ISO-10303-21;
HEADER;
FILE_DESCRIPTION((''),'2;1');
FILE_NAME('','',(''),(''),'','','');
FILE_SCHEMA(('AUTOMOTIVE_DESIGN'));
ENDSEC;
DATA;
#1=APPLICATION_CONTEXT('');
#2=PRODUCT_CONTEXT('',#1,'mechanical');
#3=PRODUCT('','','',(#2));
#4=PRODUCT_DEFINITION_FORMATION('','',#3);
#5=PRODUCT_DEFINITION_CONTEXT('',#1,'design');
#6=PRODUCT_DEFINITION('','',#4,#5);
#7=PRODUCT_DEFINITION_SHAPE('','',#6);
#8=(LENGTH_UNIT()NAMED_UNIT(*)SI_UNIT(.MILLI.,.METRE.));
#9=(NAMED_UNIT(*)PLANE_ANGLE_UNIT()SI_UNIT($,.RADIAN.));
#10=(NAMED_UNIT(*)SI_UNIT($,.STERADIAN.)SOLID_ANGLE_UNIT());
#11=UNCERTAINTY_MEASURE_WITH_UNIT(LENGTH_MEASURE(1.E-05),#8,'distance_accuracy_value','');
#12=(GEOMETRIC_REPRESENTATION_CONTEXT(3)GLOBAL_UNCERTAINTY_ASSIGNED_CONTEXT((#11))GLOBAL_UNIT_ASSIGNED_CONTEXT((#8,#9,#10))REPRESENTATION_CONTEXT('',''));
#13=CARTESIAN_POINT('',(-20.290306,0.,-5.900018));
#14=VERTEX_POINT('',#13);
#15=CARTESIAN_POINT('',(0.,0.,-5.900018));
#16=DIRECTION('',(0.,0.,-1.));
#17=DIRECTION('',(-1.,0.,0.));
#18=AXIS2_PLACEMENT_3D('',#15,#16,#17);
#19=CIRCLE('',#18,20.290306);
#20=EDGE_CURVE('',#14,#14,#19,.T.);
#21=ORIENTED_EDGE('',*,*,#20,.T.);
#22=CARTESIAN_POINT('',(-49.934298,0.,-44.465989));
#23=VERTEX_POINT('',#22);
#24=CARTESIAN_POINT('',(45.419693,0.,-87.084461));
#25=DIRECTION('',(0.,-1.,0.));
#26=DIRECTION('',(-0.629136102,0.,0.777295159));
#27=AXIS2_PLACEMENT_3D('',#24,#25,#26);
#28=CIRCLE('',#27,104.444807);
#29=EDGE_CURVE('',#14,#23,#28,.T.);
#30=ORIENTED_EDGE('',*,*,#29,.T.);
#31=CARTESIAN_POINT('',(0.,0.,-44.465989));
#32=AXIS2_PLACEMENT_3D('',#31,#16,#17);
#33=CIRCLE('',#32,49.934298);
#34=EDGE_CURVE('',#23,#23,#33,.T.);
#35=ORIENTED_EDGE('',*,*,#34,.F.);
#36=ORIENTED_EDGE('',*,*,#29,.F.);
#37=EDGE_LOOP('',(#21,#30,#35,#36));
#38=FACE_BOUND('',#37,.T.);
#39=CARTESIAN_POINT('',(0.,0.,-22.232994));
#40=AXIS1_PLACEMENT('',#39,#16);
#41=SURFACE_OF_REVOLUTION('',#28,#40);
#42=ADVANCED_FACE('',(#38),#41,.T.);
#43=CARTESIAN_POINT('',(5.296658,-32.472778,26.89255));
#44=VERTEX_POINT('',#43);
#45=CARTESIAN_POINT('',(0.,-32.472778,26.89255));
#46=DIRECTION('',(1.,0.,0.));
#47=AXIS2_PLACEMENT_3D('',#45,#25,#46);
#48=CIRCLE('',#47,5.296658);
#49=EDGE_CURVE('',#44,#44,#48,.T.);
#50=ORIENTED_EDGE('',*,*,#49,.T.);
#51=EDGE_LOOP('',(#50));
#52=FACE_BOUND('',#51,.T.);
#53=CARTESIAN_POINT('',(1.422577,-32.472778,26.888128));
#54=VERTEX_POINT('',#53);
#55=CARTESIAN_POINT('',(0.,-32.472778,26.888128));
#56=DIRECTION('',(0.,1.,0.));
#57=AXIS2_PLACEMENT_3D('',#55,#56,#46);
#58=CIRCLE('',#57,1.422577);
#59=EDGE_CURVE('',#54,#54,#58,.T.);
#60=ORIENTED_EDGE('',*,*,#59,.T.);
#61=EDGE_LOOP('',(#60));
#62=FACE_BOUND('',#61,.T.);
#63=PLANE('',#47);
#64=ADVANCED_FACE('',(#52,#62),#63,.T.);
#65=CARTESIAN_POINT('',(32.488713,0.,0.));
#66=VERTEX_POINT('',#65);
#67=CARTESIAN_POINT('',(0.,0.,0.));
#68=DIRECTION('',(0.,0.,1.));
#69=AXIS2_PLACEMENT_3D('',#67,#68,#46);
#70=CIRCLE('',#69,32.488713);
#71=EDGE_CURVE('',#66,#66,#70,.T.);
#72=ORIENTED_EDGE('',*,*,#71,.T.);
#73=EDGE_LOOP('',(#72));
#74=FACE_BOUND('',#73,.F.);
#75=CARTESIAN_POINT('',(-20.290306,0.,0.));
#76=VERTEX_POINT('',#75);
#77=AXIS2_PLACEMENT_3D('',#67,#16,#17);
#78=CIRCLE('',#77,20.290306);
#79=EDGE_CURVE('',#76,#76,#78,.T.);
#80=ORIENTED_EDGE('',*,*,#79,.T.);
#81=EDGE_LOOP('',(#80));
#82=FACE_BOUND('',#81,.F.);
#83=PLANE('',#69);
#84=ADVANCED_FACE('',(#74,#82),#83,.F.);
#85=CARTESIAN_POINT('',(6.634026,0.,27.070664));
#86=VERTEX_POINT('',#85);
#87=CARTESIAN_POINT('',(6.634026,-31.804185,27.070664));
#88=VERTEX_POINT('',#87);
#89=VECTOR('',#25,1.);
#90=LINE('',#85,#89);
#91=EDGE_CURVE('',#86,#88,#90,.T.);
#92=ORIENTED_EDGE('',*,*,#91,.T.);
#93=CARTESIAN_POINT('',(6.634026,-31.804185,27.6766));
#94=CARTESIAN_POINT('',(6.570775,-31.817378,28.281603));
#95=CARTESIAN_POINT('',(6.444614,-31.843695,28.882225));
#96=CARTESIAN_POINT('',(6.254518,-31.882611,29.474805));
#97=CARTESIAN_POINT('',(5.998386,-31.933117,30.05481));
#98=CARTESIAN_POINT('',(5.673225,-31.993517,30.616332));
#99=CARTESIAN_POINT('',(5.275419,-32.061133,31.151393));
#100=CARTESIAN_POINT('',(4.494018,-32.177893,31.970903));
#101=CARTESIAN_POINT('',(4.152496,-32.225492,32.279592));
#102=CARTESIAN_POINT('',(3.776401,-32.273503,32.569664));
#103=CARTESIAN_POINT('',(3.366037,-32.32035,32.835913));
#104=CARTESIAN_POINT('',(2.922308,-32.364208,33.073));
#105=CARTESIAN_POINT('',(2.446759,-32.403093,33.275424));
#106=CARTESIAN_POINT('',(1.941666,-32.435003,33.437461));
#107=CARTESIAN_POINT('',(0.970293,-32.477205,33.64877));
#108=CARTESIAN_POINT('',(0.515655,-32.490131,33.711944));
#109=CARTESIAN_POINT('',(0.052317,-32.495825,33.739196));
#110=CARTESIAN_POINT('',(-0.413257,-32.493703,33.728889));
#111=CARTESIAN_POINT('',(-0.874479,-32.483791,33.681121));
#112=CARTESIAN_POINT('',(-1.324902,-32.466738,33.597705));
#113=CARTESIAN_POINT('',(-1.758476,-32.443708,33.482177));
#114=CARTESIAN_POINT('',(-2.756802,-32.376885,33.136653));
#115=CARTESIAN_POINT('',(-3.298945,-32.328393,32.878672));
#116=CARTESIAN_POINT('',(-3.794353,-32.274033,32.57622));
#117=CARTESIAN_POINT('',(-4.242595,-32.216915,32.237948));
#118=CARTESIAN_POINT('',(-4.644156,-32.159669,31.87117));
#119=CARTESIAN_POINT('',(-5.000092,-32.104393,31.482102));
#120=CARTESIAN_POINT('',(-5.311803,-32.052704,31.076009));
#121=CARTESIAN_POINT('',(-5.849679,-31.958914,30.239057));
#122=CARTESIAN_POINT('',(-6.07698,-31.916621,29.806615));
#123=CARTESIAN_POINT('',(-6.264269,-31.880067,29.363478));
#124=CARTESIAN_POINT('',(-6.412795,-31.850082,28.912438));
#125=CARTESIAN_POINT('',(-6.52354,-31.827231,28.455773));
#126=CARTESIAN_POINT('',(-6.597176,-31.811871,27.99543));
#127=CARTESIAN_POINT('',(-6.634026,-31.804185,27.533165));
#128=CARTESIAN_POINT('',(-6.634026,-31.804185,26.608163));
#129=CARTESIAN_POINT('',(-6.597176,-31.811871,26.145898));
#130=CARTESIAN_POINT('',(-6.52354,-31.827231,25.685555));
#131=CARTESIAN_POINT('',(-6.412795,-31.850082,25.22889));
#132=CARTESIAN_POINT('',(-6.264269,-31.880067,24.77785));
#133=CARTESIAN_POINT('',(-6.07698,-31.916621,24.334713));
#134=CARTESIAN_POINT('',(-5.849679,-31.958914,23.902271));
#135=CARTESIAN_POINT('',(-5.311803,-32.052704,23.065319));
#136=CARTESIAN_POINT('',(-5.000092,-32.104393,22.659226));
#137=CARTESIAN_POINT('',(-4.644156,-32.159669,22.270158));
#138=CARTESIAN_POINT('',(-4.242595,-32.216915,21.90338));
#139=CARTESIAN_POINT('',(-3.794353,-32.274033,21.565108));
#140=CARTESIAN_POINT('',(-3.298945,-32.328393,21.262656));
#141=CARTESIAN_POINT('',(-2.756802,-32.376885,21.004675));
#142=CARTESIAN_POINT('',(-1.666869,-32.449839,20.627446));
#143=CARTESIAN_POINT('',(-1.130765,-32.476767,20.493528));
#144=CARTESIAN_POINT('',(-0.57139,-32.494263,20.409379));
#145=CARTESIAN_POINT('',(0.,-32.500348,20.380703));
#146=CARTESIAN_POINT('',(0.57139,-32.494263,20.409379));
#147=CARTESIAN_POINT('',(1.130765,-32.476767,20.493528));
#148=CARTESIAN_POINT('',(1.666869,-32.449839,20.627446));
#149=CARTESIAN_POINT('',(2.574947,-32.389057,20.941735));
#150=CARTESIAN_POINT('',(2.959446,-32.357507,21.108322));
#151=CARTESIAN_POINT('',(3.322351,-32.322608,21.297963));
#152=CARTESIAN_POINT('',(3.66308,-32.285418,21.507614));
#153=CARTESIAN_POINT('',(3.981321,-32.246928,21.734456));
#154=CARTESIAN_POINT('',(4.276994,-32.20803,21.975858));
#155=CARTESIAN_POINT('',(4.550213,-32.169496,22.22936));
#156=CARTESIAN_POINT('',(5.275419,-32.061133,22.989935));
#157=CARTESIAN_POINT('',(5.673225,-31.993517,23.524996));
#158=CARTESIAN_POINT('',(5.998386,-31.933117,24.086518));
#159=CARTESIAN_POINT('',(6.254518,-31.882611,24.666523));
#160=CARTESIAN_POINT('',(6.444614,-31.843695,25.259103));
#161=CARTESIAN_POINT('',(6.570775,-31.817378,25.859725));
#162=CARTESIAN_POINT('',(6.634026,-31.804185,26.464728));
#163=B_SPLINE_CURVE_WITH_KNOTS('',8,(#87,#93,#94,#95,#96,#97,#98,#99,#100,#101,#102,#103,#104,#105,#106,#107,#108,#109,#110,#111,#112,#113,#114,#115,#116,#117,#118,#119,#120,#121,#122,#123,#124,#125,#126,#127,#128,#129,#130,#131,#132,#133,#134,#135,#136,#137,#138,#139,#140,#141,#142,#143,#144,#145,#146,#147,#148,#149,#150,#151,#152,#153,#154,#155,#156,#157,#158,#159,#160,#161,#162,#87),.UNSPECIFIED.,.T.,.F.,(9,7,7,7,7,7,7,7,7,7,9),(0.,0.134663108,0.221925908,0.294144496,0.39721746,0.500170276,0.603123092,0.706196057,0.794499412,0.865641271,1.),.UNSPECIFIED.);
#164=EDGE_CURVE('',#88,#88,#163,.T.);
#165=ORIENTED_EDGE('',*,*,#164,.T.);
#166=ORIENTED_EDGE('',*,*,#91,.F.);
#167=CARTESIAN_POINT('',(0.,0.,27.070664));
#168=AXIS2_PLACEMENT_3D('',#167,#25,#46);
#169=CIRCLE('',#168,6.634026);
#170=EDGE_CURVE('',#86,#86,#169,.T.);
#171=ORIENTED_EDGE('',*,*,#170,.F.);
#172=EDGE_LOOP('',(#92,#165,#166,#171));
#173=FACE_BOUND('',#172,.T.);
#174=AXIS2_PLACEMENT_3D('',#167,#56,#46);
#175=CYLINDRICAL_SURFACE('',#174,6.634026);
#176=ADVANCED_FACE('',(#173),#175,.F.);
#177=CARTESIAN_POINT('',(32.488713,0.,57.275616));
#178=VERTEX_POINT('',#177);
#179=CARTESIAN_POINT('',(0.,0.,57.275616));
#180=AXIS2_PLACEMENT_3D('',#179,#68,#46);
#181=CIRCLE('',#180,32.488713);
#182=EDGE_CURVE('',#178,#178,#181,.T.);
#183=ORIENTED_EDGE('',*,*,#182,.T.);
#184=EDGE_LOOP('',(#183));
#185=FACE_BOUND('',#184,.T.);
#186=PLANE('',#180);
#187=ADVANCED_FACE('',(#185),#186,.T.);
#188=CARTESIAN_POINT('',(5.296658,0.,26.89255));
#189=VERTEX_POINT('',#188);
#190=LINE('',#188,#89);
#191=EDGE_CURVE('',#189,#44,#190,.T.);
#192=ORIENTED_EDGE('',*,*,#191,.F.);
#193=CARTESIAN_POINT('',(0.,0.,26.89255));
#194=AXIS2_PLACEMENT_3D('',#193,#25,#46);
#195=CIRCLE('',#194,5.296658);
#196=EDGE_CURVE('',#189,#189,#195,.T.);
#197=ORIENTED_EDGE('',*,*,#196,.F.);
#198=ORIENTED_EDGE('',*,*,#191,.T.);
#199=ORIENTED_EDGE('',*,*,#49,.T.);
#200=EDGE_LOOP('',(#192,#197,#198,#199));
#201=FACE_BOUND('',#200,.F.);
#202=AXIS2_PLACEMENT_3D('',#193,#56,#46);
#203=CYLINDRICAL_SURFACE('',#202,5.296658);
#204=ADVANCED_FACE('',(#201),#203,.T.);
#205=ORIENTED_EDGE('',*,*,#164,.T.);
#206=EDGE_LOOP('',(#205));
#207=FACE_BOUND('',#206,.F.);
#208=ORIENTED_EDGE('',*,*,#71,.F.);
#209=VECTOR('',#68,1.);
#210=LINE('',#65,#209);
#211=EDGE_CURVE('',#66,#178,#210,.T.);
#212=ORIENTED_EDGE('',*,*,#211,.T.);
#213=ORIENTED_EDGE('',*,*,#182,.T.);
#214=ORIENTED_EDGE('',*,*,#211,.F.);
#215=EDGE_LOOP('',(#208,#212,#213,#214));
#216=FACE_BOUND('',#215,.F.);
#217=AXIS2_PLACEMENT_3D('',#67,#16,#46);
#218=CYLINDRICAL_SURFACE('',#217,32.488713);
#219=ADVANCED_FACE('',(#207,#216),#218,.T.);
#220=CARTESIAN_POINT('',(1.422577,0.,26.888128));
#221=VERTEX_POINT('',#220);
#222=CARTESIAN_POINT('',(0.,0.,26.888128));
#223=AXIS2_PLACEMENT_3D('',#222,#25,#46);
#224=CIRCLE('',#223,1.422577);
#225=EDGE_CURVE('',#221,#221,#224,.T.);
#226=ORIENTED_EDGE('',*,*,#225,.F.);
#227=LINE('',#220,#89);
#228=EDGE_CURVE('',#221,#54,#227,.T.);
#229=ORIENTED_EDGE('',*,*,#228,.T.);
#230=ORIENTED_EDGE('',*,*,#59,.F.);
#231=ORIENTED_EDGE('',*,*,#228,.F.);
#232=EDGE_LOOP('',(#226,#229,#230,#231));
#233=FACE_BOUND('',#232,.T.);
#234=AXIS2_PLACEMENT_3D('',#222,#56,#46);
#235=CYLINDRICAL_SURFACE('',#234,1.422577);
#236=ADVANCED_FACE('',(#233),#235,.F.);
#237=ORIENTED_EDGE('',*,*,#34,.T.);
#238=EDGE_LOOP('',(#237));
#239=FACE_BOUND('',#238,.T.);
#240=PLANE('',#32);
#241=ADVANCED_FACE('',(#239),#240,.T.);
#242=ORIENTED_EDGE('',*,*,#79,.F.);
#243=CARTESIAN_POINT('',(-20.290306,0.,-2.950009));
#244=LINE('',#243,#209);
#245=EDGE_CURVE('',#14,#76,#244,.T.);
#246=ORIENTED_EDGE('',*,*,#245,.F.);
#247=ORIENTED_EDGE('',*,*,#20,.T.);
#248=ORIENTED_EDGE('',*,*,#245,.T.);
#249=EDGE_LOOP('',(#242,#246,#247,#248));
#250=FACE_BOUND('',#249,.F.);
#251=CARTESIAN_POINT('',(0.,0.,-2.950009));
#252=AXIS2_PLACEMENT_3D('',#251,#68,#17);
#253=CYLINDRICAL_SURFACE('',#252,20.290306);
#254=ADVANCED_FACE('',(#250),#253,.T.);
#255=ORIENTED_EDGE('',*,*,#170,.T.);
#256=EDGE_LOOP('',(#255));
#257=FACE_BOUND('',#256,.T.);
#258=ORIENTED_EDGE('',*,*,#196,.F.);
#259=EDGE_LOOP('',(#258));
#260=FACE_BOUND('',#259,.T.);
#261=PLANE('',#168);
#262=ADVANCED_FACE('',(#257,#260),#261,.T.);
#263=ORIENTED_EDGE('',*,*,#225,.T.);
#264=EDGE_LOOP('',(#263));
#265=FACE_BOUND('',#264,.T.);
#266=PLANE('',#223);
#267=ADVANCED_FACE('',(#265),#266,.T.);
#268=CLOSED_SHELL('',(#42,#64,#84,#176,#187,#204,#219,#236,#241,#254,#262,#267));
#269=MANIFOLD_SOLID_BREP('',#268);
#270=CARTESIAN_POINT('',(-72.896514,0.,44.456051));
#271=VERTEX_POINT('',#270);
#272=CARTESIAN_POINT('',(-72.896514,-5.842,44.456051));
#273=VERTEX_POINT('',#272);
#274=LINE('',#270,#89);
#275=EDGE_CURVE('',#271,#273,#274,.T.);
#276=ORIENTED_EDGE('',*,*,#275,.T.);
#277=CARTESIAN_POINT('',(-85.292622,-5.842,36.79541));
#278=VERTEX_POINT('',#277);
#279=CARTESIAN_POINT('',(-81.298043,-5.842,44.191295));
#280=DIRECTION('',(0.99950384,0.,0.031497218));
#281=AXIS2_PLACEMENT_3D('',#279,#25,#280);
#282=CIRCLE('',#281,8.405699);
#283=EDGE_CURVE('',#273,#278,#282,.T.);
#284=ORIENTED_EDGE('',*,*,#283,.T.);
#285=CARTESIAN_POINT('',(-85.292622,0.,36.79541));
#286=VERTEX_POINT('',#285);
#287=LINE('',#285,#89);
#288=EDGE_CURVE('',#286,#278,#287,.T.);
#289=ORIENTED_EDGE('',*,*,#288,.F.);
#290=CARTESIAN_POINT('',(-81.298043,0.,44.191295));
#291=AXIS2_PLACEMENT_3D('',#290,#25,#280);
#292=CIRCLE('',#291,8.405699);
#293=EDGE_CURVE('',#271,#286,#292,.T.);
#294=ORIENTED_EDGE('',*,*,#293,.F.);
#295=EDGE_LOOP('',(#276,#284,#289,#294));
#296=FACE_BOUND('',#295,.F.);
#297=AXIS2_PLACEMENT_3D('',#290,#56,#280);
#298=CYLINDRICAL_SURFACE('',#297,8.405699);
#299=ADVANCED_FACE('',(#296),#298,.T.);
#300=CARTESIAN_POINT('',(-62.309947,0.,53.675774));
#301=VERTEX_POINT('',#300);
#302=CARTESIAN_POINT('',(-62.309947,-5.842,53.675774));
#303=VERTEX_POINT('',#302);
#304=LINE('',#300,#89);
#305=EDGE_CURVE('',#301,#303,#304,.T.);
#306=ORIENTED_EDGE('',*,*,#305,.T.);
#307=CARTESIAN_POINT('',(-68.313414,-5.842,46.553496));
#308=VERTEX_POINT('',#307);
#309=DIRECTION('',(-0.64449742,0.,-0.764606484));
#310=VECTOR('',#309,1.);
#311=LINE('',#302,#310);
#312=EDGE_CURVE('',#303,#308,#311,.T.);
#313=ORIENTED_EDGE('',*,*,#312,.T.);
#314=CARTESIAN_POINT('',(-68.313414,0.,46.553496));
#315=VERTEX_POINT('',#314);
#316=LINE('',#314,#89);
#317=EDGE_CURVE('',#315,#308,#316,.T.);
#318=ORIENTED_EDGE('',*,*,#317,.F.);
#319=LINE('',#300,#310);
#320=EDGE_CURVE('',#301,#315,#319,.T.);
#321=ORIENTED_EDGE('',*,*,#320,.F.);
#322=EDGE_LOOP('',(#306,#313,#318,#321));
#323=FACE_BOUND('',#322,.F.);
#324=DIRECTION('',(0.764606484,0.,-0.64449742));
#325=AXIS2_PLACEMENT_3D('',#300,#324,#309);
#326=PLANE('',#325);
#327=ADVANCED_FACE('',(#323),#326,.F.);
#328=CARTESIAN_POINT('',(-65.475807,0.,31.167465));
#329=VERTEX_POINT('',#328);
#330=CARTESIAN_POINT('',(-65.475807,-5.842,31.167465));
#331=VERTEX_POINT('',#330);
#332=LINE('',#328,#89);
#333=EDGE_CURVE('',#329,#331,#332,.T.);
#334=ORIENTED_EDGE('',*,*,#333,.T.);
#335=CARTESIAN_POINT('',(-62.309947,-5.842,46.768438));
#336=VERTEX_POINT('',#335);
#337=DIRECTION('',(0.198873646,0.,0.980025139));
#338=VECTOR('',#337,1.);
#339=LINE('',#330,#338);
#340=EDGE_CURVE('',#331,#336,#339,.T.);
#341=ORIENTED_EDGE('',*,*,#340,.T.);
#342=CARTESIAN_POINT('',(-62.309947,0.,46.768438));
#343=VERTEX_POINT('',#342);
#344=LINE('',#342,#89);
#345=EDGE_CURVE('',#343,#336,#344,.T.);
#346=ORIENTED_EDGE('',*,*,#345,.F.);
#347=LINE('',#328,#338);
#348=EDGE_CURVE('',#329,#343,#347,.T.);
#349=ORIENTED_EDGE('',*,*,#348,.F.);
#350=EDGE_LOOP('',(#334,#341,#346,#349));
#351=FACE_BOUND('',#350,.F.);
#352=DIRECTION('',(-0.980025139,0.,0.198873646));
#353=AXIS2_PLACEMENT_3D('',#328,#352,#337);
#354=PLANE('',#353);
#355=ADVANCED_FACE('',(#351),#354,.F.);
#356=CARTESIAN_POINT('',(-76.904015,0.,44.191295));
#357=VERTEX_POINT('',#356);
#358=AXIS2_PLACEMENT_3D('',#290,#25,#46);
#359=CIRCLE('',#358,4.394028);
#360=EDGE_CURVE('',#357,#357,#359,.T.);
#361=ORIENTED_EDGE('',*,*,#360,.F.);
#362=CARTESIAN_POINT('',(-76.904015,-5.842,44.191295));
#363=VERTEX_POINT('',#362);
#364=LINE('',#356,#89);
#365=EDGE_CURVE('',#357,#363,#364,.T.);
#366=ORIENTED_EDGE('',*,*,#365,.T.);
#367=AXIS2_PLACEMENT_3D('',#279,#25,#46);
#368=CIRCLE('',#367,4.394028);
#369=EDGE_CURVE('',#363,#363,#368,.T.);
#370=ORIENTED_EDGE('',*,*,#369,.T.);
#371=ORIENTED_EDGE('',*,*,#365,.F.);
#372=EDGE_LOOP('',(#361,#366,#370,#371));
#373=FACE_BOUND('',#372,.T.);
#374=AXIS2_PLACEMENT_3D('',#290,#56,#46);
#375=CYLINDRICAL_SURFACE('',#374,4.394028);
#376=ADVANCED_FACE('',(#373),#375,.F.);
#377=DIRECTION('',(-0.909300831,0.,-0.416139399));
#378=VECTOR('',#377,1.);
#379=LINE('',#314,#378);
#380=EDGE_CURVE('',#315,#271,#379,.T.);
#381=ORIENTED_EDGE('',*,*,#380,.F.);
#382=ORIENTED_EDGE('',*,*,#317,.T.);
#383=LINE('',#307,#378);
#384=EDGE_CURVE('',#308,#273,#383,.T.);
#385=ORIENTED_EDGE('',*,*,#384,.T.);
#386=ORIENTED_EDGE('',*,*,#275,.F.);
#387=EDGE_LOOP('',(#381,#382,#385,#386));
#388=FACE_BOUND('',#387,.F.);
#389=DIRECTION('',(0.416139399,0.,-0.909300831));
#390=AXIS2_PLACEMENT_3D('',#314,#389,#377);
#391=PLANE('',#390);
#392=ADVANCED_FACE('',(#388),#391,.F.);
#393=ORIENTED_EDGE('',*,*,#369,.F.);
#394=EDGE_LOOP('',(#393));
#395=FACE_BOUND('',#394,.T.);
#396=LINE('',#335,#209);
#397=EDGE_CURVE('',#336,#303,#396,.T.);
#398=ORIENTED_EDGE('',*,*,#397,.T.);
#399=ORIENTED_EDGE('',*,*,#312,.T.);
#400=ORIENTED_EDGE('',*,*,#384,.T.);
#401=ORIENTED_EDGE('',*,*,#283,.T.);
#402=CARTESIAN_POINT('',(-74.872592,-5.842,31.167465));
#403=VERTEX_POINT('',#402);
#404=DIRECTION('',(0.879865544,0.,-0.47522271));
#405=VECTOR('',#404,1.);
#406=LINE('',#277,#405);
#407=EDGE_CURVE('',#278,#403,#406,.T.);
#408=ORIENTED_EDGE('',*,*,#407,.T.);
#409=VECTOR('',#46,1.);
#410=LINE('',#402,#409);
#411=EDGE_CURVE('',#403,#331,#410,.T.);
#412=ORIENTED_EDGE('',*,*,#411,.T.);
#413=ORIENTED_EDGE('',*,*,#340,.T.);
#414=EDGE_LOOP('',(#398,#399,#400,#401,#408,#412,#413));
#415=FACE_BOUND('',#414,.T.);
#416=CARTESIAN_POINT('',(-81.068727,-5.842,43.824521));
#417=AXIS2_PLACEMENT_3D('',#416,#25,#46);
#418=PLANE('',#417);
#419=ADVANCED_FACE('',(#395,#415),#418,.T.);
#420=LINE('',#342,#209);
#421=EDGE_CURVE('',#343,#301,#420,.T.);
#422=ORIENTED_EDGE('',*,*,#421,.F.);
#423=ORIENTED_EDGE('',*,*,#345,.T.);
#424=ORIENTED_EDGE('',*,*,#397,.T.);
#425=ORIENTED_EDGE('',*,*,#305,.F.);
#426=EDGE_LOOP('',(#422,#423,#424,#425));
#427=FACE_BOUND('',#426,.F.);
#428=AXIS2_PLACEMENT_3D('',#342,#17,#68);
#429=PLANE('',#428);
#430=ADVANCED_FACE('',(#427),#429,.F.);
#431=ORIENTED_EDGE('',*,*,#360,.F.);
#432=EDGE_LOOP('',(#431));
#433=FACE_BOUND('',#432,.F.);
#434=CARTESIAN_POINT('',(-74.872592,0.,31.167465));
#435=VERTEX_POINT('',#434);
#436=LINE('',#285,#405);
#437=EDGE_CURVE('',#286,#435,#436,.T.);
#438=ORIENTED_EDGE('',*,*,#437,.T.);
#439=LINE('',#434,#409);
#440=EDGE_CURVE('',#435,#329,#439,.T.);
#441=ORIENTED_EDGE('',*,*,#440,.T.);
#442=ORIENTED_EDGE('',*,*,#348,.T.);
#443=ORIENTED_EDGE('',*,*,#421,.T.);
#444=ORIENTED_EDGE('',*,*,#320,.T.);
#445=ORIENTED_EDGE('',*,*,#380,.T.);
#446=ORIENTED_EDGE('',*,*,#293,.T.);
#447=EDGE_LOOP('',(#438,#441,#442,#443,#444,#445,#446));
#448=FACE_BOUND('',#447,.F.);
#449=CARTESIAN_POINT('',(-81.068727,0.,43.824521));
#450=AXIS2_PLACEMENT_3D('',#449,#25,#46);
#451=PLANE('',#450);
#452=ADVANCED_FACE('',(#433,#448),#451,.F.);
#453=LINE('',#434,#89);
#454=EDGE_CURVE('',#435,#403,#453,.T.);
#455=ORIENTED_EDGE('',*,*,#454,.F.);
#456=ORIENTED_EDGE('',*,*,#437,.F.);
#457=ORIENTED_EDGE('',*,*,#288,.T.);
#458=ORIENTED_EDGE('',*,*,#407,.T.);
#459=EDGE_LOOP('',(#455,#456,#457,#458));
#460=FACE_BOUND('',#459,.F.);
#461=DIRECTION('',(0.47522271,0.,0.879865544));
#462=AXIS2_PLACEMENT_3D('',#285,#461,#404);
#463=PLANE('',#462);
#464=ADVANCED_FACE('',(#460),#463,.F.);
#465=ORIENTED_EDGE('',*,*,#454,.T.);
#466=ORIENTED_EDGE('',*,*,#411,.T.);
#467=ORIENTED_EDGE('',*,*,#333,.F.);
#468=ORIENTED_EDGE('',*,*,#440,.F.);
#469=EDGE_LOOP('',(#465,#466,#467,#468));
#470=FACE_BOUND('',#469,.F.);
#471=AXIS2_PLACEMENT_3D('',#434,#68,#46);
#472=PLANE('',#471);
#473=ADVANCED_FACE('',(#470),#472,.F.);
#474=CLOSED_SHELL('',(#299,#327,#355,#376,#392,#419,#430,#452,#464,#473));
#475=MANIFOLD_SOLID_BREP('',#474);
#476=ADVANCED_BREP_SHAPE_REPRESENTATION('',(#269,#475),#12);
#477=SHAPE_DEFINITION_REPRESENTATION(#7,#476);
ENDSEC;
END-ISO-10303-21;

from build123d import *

# Parameters (mm, degrees)
F0_R      = 32.488713
F1_DEPTH  = 57.275616
F2_R      = 6.634026
F3_DEPTH  = 67.93195
F4_R      = 5.296658
F5_DEPTH  = 32.472778
F6_R      = 1.422577
F7_DEPTH  = 36.744092
F8_W      = 20.290306
F8_H      = 5.900018
F10_R     = 4.394028
F11_DEPTH = 5.842


with BuildPart() as f1:
    # F0 (on Top) → F1 (new body)
    with BuildSketch(Plane.XY):
        Circle(F0_R)
    extrude(amount=F1_DEPTH)

    # F2 (on Front) → F3 (cut)
    with BuildSketch(Plane.XZ):
        with Locations((0, 27.070664)):
            Circle(F2_R)
    extrude(amount=F3_DEPTH, mode=Mode.SUBTRACT)

    # F4 (on Front) → F5 (join)
    with BuildSketch(Plane.XZ):
        with Locations((0, 26.89255)):
            Circle(F4_R)
    extrude(amount=F5_DEPTH)

    # F6 (on Front) → F7 (cut)
    with BuildSketch(Plane.XZ):
        with Locations((0, 26.888128)):
            Circle(F6_R)
    extrude(amount=F7_DEPTH, mode=Mode.SUBTRACT)

    # F8 (on Front) → F9 (revolve)
    with BuildSketch(Plane.XZ):
        with Locations((-10.145153, -2.950009)):
            Rectangle(F8_W, F8_H)
        Polygon((0, -5.900018), (-20.290306, -5.900018), (-49.934298, -44.465989), (-41.012321, -44.465989), (0, -44.465989), align=None)
        with BuildLine():
            Line((-49.934298, -44.465989), (-20.290306, -5.900018))
            ThreePointArc((-20.290306, -5.900018), (-37.388735, -23.433208), (-49.934298, -44.465989))
        make_face()
    revolve(axis=Axis((0, 0, -22.232994), (0, 0, -1)))


with BuildPart() as f11:
    # F10 (on Front) → F11 (new body)
    with BuildSketch(Plane.XZ):
        with BuildLine():
            ThreePointArc((-85.292622, 36.79541), (-76.992317, 36.972119), (-72.892344, 44.191295))
            ThreePointArc((-72.892344, 44.191295), (-72.893386, 44.323689), (-72.896514, 44.456051))
            ThreePointArc((-72.896514, 44.456051), (-85.71694, 51.341758), (-85.292622, 36.79541))
        make_face()
        with Locations((-81.298043, 44.191295)):
            Circle(F10_R, mode=Mode.SUBTRACT)
        with BuildLine():
            ThreePointArc((-72.896514, 44.456051), (-72.893386, 44.323689), (-72.892344, 44.191295))
            ThreePointArc((-72.892344, 44.191295), (-76.992317, 36.972119), (-85.292622, 36.79541))
            Line((-85.292622, 36.79541), (-74.872592, 31.167465))
            Line((-74.872592, 31.167465), (-65.475807, 31.167465))
            Line((-65.475807, 31.167465), (-62.309947, 46.768438))
            Line((-62.309947, 46.768438), (-62.309947, 53.675774))
            Line((-62.309947, 53.675774), (-68.313414, 46.553496))
            Line((-68.313414, 46.553496), (-72.896514, 44.456051))
        make_face()
    extrude(amount=F11_DEPTH)


solid = Compound([f1.part, f11.part])
